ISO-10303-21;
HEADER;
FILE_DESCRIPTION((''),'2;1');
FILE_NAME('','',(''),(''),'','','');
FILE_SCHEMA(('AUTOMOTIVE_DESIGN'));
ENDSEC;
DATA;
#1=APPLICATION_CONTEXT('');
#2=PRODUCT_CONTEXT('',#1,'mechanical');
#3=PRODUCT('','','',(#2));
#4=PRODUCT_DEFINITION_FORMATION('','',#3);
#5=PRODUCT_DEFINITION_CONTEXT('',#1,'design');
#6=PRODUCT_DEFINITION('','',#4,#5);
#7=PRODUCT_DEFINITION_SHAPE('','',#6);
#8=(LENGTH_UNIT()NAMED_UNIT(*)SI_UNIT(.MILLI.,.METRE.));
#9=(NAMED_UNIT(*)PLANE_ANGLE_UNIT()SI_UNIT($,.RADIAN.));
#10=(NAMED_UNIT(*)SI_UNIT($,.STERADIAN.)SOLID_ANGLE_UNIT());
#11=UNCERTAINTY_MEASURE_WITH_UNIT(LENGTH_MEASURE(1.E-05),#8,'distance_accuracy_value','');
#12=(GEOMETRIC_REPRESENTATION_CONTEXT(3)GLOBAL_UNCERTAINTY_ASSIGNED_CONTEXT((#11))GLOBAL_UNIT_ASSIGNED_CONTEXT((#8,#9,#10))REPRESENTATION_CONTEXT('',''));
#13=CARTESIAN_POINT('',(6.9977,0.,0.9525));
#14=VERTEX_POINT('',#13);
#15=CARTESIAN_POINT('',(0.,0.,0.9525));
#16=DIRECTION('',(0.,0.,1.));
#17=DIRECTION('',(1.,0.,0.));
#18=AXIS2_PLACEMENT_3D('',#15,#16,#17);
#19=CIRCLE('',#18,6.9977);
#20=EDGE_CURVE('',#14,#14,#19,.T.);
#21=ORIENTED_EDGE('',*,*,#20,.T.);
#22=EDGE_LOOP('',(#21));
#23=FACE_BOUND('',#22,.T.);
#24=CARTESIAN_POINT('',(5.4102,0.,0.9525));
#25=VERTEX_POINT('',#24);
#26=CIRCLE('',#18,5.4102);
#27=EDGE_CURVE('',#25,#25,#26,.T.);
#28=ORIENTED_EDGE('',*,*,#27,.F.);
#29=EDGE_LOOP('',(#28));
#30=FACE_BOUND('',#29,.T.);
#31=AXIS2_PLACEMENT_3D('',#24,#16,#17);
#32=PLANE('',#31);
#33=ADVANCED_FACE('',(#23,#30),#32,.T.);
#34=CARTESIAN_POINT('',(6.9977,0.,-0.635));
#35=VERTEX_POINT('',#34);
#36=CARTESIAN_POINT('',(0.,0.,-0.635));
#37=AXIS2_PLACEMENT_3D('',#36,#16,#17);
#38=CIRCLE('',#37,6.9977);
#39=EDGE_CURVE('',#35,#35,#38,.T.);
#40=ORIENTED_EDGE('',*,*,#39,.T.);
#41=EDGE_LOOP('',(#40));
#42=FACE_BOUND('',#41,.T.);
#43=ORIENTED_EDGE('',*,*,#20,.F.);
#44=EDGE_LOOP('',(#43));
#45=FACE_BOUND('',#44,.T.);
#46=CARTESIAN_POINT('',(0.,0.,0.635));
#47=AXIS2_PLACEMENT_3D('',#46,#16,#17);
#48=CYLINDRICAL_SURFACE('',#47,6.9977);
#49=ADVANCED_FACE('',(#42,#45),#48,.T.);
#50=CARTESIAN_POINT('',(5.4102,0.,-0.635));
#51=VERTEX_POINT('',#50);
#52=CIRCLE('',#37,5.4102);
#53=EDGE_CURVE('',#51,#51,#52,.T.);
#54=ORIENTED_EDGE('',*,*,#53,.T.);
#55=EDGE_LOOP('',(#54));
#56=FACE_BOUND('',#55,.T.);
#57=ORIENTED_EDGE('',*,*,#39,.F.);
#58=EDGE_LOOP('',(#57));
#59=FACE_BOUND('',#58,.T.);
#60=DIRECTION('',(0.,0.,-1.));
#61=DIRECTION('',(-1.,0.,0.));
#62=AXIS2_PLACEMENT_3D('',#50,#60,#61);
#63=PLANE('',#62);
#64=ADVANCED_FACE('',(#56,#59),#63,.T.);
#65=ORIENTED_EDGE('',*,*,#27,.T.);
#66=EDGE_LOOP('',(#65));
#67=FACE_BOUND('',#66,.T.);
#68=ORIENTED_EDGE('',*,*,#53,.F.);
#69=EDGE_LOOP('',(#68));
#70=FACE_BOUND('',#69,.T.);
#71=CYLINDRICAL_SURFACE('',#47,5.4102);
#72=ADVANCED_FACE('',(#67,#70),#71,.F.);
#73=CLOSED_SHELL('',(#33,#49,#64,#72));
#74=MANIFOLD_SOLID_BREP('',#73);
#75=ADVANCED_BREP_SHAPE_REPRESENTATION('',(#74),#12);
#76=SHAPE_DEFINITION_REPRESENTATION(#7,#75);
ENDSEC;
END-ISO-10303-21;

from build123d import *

# Parameters (mm, degrees)
SKETCH1_W = 1.5875
SKETCH1_H = 1.5875


with BuildPart() as part:
    # Sketch1 → Revolve1 (revolve)
    with BuildSketch(Plane(origin=(0, 0, 0), x_dir=(1, 0, 0), z_dir=(0, 1, 0))):
        with Locations((6.20395, -0.15875)):
            Rectangle(SKETCH1_W, SKETCH1_H)
    revolve(axis=Axis((0, 0, 0.635), (0, 0, -1)))


solid = part.part
